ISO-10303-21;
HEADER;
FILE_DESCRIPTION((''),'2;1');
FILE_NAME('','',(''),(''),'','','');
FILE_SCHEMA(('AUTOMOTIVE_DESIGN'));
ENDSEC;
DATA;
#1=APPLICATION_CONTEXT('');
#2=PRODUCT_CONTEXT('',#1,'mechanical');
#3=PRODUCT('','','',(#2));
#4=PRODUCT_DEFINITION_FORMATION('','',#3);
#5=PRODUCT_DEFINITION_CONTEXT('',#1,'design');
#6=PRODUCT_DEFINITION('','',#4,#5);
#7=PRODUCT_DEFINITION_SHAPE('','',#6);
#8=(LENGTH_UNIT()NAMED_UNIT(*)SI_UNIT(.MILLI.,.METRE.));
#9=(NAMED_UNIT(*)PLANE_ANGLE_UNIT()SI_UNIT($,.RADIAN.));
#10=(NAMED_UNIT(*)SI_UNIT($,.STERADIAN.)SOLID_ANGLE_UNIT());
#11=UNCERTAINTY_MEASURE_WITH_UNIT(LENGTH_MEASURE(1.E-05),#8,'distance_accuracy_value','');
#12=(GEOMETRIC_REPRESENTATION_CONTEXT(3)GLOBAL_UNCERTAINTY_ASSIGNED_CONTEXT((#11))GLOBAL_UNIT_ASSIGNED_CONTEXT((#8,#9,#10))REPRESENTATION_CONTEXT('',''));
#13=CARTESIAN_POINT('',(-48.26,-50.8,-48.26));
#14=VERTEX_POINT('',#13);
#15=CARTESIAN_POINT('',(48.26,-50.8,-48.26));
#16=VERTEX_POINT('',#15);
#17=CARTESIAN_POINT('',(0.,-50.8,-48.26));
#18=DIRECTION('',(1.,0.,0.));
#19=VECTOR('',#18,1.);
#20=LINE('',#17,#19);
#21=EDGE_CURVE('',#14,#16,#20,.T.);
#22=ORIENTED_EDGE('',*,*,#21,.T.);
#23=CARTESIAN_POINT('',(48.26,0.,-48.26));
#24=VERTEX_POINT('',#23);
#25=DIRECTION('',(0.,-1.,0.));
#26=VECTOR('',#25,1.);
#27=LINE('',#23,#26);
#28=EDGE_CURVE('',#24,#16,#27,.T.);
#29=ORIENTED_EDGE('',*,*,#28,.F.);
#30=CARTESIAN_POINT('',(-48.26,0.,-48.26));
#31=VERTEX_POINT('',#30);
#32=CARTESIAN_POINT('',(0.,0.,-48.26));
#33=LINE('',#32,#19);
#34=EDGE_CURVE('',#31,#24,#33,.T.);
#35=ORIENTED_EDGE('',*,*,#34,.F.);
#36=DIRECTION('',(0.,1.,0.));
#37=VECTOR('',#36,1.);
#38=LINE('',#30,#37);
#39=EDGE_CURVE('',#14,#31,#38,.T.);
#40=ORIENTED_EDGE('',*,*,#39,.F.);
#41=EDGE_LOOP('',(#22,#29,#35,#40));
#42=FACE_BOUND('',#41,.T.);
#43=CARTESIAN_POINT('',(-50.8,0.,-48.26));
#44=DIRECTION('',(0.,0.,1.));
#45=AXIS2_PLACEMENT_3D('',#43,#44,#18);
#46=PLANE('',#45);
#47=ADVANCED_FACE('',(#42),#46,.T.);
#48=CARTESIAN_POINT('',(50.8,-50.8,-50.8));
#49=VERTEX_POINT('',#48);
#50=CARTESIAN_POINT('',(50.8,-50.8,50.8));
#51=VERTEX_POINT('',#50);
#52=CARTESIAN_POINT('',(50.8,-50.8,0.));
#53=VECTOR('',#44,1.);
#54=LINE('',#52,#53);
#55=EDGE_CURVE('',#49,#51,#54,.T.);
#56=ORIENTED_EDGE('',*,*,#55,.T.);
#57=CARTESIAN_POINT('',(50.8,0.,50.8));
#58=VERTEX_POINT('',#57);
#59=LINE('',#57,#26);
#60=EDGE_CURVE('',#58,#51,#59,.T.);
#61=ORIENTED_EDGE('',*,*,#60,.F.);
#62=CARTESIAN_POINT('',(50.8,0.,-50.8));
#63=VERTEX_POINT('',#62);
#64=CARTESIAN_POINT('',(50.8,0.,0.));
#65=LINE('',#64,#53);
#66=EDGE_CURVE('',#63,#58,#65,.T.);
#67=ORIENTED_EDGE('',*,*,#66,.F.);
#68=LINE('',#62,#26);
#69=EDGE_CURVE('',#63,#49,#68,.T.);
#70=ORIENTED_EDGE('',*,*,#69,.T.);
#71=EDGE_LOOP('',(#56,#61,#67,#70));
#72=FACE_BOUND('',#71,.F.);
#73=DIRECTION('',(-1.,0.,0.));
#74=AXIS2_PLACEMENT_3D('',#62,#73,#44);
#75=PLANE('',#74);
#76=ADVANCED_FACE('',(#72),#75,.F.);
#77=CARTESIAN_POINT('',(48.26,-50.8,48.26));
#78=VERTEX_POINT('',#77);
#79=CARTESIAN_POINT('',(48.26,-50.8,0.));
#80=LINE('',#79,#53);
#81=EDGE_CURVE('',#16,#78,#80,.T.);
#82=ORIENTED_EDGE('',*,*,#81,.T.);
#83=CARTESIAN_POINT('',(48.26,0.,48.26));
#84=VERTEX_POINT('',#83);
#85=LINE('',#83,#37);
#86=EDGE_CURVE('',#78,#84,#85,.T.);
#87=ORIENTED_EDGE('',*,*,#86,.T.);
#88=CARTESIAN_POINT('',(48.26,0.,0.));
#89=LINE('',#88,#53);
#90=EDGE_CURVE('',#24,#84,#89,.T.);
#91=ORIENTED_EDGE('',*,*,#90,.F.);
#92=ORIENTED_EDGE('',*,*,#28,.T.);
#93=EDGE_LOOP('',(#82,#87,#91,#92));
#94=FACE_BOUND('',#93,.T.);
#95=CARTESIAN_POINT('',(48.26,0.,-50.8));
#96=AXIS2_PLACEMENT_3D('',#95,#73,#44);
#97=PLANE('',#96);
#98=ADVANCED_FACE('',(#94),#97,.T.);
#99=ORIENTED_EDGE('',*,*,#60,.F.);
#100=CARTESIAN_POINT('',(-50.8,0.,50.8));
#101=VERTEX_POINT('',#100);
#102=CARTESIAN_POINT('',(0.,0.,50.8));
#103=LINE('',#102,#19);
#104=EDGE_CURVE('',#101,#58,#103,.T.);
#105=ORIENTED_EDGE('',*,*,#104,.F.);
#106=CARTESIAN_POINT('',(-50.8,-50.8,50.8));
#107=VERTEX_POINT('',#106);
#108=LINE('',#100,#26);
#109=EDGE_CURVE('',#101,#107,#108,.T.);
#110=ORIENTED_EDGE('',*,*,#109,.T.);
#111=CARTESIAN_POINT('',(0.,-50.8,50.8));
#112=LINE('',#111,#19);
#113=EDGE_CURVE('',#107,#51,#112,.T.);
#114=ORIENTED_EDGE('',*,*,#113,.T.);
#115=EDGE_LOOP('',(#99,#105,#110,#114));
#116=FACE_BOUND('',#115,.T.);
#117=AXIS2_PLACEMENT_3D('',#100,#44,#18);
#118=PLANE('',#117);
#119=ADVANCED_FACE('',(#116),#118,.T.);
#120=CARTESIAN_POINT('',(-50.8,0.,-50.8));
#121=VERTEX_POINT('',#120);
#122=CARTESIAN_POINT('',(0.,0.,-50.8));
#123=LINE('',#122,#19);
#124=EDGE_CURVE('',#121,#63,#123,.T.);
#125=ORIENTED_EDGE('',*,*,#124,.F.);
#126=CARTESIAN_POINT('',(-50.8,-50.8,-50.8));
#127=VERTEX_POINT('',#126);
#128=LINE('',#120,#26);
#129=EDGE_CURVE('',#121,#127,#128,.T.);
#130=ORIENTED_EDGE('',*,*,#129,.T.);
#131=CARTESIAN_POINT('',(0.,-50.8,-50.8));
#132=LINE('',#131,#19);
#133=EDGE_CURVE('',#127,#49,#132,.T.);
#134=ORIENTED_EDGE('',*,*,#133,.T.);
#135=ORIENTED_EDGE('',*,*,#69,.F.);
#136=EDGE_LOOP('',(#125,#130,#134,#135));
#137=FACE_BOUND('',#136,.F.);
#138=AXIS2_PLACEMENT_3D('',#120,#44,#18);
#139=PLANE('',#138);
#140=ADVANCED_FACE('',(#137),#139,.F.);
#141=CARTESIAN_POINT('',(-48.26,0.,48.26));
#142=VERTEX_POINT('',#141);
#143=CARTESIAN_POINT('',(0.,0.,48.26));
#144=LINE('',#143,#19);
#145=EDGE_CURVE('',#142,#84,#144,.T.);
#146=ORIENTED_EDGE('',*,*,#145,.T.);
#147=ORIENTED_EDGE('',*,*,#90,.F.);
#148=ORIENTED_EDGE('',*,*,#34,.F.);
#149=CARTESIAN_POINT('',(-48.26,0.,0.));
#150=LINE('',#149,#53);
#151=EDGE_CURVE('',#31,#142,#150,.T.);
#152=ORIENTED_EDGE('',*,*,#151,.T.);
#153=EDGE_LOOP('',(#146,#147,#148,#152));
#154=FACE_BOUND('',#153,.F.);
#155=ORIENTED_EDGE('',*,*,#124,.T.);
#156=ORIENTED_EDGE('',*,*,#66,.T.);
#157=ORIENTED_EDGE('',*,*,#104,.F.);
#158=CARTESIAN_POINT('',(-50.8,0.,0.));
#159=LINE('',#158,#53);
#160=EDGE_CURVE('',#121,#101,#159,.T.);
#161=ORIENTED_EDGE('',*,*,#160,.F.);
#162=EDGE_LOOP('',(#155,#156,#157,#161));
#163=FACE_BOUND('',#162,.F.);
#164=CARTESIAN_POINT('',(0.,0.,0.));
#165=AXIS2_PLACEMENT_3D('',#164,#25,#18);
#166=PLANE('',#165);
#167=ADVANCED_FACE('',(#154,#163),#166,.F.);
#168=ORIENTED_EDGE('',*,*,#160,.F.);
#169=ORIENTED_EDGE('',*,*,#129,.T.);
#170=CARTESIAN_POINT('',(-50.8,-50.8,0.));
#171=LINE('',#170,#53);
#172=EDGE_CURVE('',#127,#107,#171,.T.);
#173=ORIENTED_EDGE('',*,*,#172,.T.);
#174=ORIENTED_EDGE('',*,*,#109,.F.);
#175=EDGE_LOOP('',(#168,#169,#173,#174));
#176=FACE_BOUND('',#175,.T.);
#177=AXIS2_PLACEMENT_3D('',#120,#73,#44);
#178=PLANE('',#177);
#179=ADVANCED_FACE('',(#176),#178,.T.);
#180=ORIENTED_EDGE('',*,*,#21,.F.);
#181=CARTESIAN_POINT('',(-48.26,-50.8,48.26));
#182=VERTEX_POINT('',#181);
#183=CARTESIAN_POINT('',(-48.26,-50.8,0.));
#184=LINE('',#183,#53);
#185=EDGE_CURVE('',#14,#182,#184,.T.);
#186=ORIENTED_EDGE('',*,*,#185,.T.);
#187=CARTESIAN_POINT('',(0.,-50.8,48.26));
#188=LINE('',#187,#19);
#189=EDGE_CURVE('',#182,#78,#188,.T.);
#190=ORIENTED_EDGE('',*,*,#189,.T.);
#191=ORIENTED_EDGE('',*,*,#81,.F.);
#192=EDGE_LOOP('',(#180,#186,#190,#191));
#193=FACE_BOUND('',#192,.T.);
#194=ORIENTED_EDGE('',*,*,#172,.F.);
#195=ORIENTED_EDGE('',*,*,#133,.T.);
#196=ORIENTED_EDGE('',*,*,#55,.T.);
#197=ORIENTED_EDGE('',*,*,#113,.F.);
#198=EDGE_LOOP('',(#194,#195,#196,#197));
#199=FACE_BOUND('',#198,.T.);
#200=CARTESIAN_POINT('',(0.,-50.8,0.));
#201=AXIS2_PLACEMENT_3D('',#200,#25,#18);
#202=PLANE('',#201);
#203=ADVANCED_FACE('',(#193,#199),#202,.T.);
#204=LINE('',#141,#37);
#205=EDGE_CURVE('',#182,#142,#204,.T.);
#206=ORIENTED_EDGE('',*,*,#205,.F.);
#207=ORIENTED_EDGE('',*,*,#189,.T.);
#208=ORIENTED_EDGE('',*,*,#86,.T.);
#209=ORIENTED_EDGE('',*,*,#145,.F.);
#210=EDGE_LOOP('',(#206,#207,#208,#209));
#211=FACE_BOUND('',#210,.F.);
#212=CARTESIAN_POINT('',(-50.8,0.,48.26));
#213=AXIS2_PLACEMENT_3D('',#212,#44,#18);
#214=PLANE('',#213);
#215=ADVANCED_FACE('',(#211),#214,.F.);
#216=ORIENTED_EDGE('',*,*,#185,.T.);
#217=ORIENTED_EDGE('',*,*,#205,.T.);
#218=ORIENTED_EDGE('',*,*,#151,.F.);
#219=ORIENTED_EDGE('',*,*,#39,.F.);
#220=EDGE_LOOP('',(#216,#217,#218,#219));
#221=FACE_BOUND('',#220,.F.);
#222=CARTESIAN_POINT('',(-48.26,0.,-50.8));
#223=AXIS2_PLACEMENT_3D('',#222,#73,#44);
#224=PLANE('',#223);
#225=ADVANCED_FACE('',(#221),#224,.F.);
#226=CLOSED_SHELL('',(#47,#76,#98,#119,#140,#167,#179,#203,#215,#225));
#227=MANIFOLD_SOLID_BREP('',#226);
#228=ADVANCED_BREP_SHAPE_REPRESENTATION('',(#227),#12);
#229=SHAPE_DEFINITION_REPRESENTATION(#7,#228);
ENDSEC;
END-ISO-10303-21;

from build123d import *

# Parameters (mm, degrees)
F0_W     = 101.6
F0_H     = 101.6
F1_DEPTH = 50.8
F2_T     = -2.54


with BuildPart() as f1:
    # F0 (on Front) → F1 (new body)
    with BuildSketch(Plane.XZ):
        Rectangle(F0_W, F0_H)
    extrude(amount=F1_DEPTH)

    # F2
    f2_openings = [f1.faces().sort_by_distance(p)[0] for p in [
        (0, -50.8, 0),
        (0, 0, 0),
    ]]
    offset(amount=F2_T, openings=f2_openings)


solid = f1.part
